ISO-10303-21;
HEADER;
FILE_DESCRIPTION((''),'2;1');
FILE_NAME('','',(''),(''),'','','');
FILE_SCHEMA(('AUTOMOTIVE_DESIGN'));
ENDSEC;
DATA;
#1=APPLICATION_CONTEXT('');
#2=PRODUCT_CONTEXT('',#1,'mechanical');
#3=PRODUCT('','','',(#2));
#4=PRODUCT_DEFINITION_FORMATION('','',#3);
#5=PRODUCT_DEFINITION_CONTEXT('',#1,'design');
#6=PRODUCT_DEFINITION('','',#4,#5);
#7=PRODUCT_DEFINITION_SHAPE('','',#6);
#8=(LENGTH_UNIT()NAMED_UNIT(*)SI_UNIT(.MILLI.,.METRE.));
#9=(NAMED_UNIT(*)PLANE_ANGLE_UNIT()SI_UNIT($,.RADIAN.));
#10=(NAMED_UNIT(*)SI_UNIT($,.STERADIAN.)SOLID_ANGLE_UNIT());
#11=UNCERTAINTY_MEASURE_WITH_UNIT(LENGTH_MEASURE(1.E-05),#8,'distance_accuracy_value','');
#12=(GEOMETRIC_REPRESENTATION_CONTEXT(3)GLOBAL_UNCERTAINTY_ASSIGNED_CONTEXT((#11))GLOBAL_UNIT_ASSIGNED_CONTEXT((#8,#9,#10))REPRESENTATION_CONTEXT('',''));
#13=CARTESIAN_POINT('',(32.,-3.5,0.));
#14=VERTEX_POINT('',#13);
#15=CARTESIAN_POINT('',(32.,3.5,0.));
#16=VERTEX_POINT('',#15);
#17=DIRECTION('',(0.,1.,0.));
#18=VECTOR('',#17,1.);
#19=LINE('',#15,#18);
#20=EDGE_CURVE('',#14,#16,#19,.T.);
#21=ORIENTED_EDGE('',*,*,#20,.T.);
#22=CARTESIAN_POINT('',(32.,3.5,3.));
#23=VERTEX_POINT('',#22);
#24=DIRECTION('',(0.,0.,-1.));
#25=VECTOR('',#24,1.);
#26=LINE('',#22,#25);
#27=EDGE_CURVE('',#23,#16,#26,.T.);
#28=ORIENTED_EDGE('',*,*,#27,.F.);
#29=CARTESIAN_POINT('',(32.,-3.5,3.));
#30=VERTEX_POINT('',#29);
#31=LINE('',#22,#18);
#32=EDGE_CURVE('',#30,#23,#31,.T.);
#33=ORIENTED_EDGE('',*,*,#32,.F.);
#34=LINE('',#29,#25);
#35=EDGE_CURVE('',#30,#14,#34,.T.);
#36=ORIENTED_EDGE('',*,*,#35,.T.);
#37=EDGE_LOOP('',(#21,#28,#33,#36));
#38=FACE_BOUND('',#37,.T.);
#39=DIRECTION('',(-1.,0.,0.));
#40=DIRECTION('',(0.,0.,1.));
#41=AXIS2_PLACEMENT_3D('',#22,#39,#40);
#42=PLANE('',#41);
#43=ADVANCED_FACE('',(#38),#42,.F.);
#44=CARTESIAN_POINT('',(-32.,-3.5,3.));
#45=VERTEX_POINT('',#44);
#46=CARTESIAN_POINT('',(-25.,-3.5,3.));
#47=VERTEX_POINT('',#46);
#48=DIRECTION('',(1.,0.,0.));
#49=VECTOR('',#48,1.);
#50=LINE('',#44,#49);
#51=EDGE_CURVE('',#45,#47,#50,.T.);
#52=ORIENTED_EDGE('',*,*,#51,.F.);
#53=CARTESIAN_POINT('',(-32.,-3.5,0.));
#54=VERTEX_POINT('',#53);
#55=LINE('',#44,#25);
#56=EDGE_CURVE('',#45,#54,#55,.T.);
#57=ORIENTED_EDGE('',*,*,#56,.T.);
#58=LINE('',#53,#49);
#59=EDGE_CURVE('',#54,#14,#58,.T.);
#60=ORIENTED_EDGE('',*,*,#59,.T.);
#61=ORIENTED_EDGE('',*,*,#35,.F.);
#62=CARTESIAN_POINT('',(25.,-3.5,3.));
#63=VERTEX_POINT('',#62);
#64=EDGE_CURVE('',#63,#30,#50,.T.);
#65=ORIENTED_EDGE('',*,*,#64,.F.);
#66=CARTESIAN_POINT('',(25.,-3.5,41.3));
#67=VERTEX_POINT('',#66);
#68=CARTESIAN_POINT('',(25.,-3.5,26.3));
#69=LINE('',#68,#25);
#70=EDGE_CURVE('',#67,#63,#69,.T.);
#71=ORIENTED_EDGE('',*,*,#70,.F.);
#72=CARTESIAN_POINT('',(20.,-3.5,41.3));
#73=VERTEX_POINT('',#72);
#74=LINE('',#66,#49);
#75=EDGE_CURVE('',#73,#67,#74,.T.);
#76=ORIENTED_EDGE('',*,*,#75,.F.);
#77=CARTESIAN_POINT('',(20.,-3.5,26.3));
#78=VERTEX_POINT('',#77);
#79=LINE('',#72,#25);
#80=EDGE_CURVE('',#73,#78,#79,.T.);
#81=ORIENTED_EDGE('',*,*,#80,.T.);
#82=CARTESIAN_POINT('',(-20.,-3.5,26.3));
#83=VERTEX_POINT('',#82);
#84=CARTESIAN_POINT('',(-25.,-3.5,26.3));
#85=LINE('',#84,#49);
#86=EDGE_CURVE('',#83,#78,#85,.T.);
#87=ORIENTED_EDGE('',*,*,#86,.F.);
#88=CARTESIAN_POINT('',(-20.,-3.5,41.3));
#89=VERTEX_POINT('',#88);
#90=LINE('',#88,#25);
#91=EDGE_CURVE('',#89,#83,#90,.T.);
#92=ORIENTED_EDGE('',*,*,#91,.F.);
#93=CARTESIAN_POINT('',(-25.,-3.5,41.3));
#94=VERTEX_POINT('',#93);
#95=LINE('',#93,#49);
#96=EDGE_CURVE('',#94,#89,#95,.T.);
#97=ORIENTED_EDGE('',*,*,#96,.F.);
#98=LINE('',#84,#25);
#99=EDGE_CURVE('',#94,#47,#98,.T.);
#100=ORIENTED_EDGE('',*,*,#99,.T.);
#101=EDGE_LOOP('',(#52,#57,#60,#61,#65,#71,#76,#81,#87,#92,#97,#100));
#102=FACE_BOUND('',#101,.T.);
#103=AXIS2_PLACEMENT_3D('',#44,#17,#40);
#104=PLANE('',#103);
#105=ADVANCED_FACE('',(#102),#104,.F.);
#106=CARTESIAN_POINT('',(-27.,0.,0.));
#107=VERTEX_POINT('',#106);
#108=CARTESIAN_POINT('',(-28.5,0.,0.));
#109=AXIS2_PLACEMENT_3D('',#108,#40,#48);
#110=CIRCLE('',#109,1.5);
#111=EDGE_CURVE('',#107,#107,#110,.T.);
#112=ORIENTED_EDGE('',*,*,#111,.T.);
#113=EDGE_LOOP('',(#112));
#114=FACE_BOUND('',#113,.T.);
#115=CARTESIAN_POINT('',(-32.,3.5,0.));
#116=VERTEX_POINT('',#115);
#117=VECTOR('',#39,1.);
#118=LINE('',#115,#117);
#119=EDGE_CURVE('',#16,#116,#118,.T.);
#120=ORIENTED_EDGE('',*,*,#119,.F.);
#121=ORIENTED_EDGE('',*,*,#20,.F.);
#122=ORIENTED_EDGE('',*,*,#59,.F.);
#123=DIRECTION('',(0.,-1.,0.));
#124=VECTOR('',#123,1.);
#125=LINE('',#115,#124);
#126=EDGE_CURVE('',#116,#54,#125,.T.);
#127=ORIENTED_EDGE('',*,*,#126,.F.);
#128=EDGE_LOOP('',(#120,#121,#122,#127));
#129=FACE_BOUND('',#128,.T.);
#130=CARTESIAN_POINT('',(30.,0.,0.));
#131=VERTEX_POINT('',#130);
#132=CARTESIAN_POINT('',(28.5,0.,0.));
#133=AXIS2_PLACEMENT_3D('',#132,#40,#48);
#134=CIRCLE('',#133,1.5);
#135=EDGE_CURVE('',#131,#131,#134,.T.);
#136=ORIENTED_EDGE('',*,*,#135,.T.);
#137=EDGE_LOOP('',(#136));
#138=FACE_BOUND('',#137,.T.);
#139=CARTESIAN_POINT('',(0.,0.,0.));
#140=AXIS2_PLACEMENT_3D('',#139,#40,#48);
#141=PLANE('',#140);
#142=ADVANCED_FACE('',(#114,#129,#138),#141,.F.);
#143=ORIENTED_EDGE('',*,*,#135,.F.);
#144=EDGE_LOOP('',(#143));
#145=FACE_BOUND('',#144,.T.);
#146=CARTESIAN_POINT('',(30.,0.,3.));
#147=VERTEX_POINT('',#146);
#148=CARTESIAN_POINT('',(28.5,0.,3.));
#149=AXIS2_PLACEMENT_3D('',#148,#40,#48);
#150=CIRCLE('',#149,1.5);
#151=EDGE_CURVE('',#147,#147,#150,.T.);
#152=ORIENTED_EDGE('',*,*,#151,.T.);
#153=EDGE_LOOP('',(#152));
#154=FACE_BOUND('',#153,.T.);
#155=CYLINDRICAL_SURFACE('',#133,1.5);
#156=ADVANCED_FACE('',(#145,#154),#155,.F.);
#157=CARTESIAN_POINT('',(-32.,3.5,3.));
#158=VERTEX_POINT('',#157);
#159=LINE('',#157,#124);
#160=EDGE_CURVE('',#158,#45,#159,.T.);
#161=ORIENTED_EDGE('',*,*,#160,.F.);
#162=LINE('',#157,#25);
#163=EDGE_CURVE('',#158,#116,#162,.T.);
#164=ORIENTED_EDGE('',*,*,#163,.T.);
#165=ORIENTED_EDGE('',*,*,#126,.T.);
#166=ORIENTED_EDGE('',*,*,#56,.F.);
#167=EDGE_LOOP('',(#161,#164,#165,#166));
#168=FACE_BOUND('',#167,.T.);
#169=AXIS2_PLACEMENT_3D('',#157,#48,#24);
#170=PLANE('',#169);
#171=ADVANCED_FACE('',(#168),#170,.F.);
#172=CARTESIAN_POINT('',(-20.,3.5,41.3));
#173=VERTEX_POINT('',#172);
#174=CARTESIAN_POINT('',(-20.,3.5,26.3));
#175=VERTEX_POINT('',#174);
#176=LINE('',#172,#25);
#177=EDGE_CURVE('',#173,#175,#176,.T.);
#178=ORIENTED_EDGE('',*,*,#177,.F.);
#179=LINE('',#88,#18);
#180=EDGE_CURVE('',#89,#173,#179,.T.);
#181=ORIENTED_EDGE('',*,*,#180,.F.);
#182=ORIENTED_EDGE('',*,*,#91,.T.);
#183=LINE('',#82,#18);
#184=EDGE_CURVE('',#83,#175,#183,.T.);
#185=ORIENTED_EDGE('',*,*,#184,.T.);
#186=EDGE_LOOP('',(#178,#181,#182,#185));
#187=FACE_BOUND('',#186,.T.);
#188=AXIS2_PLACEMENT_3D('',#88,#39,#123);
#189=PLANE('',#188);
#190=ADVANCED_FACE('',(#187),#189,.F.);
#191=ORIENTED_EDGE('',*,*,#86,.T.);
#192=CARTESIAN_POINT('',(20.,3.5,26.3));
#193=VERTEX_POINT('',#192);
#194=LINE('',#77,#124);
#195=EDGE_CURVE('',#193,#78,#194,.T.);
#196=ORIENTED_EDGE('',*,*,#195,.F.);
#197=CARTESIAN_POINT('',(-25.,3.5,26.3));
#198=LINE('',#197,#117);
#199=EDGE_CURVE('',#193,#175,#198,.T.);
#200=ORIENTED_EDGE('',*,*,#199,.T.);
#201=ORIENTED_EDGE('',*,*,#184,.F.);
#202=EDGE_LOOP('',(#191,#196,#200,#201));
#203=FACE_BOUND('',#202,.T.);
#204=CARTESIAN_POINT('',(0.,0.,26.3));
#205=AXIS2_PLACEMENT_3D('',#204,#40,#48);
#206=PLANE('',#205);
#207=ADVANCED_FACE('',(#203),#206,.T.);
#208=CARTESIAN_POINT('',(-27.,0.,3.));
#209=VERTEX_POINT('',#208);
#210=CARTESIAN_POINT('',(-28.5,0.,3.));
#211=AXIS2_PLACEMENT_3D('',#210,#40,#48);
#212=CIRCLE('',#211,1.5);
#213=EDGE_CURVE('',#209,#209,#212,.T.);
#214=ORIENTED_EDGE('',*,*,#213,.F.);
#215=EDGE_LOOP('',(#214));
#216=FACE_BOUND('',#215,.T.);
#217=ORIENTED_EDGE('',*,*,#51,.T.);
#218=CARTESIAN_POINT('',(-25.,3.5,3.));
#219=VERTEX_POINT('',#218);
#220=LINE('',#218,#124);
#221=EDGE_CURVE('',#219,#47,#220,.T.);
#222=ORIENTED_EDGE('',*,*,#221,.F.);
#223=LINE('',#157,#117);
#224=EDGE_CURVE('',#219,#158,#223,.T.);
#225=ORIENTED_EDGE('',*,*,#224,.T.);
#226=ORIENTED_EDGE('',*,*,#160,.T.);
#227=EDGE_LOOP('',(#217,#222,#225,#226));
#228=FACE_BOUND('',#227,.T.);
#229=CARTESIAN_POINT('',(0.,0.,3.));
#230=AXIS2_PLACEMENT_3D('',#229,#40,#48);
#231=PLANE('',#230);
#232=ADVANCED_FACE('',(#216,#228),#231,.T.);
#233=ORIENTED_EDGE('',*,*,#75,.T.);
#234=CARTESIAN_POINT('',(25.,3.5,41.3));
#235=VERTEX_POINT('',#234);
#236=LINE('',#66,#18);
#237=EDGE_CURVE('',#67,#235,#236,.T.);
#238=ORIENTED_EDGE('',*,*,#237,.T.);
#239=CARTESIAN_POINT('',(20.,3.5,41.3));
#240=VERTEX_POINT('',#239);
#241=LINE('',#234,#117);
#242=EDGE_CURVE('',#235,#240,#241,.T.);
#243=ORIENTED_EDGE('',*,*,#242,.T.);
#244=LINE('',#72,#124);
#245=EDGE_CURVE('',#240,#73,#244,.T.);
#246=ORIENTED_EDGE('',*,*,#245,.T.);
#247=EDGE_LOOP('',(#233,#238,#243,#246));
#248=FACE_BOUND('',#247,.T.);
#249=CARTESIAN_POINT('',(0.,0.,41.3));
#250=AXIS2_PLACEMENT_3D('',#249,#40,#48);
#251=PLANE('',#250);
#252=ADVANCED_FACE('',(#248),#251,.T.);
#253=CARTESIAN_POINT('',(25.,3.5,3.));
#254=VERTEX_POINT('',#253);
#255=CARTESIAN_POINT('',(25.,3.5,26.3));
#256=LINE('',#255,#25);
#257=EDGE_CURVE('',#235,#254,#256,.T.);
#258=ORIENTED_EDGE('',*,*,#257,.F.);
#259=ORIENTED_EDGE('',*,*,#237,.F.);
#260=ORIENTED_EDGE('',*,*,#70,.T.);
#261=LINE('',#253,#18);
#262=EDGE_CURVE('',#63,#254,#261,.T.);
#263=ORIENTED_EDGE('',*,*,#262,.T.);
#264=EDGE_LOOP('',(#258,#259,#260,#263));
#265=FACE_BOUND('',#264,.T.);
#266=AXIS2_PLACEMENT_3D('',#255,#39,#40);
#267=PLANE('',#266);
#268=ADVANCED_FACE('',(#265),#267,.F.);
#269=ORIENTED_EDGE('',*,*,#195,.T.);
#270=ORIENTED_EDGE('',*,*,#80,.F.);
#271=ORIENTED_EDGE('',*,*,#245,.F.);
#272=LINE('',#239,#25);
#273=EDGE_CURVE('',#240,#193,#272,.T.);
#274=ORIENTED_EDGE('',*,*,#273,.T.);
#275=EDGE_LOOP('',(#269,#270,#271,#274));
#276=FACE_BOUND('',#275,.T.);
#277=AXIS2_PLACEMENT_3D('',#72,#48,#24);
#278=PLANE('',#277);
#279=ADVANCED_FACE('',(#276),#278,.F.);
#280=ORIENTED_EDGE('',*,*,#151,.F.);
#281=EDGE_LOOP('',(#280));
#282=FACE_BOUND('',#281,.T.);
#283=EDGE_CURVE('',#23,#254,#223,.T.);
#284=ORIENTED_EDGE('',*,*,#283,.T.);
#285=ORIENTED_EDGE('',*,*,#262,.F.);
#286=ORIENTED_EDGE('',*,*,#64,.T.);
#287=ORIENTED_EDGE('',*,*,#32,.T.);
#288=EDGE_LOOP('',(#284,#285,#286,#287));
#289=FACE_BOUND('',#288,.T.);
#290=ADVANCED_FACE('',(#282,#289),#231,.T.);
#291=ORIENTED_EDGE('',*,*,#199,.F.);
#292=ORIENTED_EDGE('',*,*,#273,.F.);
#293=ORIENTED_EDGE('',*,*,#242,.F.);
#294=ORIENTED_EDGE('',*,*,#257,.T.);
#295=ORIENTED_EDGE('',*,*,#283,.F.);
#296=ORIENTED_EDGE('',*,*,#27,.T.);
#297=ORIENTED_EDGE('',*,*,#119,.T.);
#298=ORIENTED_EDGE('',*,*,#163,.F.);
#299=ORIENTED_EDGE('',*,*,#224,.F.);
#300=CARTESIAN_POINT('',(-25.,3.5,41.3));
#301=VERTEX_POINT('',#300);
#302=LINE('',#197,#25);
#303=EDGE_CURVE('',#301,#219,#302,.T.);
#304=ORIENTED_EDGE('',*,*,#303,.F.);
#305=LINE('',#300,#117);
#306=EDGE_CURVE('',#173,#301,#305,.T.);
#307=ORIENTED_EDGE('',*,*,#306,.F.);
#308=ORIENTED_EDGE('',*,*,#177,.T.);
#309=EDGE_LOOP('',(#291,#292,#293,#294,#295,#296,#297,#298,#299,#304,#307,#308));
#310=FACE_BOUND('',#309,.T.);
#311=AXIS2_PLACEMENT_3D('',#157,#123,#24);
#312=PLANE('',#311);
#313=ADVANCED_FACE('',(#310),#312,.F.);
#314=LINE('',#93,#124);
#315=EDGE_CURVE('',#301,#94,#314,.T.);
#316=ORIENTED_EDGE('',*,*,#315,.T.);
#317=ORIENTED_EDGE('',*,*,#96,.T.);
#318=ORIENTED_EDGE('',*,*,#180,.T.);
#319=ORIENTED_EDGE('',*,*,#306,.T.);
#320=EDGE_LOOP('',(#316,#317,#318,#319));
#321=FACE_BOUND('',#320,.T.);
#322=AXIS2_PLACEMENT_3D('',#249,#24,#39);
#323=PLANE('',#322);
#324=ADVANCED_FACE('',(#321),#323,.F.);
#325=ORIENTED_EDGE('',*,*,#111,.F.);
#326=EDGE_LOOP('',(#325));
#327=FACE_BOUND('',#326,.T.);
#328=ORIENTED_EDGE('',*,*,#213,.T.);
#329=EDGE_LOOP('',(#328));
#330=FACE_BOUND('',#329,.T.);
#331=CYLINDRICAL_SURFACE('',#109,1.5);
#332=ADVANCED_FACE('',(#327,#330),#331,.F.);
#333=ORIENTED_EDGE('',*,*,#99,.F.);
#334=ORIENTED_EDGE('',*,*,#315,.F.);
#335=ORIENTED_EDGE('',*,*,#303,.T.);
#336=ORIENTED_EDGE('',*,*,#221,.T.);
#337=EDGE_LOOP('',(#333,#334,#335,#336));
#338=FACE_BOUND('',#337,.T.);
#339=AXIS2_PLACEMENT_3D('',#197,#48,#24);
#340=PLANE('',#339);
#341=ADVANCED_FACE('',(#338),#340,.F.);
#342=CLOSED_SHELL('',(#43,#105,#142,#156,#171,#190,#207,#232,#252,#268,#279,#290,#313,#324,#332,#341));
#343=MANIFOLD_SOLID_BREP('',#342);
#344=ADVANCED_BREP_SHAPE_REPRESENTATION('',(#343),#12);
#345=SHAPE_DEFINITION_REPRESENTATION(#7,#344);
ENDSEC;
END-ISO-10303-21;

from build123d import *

# Parameters (mm, degrees)
SKETCH_1_W          = 64
SKETCH_1_H          = 7
EXTRUDE_3_DEPTH     = 3
SKETCH_3_W          = 50
SKETCH_3_H          = 7
EXTRUDE_4_DEPTH     = 23.3
SKETCH_4_W          = 5
SKETCH_4_H          = 7
EXTRUDE_5_DEPTH     = 15
SKETCH_5_W          = 5
SKETCH_5_H          = 7
EXTRUDE_6_DEPTH     = 15
SKETCH_6_R          = 1.5
CUT_EXTRUDE_1_DEPTH = 3
SKETCH_7_R          = 1.5
CUT_EXTRUDE_2_DEPTH = 3


with BuildPart() as part:
    # Эскиз1 → Бобышка-Вытянуть3 (new body)
    with BuildSketch(Plane.XY):
        Rectangle(SKETCH_1_W, SKETCH_1_H)
    extrude(amount=EXTRUDE_3_DEPTH)

    # Эскиз3 → Бобышка-Вытянуть4 (add)
    with BuildSketch(Plane.XY.offset(3)):
        Rectangle(SKETCH_3_W, SKETCH_3_H)
    extrude(amount=EXTRUDE_4_DEPTH)

    # Эскиз4 → Бобышка-Вытянуть5 (add)
    with BuildSketch(Plane.XY.offset(26.3)):
        with Locations((-22.5, 0)):
            Rectangle(SKETCH_4_W, SKETCH_4_H)
    extrude(amount=EXTRUDE_5_DEPTH)

    # Эскиз5 → Бобышка-Вытянуть6 (add)
    with BuildSketch(Plane.XY.offset(26.3)):
        with Locations((22.5, 0)):
            Rectangle(SKETCH_5_W, SKETCH_5_H)
    extrude(amount=EXTRUDE_6_DEPTH)

    # Эскиз6 → Вырез-Вытянуть1 (cut)
    with BuildSketch(Plane.XY.offset(3)):
        with Locations((-28.5, 0)):
            Circle(SKETCH_6_R)
    extrude(amount=-CUT_EXTRUDE_1_DEPTH, mode=Mode.SUBTRACT)

    # Эскиз7 → Вырез-Вытянуть2 (cut)
    with BuildSketch(Plane.XY.offset(3)):
        with Locations((28.5, 0)):
            Circle(SKETCH_7_R)
    extrude(amount=-CUT_EXTRUDE_2_DEPTH, mode=Mode.SUBTRACT)


solid = part.part
